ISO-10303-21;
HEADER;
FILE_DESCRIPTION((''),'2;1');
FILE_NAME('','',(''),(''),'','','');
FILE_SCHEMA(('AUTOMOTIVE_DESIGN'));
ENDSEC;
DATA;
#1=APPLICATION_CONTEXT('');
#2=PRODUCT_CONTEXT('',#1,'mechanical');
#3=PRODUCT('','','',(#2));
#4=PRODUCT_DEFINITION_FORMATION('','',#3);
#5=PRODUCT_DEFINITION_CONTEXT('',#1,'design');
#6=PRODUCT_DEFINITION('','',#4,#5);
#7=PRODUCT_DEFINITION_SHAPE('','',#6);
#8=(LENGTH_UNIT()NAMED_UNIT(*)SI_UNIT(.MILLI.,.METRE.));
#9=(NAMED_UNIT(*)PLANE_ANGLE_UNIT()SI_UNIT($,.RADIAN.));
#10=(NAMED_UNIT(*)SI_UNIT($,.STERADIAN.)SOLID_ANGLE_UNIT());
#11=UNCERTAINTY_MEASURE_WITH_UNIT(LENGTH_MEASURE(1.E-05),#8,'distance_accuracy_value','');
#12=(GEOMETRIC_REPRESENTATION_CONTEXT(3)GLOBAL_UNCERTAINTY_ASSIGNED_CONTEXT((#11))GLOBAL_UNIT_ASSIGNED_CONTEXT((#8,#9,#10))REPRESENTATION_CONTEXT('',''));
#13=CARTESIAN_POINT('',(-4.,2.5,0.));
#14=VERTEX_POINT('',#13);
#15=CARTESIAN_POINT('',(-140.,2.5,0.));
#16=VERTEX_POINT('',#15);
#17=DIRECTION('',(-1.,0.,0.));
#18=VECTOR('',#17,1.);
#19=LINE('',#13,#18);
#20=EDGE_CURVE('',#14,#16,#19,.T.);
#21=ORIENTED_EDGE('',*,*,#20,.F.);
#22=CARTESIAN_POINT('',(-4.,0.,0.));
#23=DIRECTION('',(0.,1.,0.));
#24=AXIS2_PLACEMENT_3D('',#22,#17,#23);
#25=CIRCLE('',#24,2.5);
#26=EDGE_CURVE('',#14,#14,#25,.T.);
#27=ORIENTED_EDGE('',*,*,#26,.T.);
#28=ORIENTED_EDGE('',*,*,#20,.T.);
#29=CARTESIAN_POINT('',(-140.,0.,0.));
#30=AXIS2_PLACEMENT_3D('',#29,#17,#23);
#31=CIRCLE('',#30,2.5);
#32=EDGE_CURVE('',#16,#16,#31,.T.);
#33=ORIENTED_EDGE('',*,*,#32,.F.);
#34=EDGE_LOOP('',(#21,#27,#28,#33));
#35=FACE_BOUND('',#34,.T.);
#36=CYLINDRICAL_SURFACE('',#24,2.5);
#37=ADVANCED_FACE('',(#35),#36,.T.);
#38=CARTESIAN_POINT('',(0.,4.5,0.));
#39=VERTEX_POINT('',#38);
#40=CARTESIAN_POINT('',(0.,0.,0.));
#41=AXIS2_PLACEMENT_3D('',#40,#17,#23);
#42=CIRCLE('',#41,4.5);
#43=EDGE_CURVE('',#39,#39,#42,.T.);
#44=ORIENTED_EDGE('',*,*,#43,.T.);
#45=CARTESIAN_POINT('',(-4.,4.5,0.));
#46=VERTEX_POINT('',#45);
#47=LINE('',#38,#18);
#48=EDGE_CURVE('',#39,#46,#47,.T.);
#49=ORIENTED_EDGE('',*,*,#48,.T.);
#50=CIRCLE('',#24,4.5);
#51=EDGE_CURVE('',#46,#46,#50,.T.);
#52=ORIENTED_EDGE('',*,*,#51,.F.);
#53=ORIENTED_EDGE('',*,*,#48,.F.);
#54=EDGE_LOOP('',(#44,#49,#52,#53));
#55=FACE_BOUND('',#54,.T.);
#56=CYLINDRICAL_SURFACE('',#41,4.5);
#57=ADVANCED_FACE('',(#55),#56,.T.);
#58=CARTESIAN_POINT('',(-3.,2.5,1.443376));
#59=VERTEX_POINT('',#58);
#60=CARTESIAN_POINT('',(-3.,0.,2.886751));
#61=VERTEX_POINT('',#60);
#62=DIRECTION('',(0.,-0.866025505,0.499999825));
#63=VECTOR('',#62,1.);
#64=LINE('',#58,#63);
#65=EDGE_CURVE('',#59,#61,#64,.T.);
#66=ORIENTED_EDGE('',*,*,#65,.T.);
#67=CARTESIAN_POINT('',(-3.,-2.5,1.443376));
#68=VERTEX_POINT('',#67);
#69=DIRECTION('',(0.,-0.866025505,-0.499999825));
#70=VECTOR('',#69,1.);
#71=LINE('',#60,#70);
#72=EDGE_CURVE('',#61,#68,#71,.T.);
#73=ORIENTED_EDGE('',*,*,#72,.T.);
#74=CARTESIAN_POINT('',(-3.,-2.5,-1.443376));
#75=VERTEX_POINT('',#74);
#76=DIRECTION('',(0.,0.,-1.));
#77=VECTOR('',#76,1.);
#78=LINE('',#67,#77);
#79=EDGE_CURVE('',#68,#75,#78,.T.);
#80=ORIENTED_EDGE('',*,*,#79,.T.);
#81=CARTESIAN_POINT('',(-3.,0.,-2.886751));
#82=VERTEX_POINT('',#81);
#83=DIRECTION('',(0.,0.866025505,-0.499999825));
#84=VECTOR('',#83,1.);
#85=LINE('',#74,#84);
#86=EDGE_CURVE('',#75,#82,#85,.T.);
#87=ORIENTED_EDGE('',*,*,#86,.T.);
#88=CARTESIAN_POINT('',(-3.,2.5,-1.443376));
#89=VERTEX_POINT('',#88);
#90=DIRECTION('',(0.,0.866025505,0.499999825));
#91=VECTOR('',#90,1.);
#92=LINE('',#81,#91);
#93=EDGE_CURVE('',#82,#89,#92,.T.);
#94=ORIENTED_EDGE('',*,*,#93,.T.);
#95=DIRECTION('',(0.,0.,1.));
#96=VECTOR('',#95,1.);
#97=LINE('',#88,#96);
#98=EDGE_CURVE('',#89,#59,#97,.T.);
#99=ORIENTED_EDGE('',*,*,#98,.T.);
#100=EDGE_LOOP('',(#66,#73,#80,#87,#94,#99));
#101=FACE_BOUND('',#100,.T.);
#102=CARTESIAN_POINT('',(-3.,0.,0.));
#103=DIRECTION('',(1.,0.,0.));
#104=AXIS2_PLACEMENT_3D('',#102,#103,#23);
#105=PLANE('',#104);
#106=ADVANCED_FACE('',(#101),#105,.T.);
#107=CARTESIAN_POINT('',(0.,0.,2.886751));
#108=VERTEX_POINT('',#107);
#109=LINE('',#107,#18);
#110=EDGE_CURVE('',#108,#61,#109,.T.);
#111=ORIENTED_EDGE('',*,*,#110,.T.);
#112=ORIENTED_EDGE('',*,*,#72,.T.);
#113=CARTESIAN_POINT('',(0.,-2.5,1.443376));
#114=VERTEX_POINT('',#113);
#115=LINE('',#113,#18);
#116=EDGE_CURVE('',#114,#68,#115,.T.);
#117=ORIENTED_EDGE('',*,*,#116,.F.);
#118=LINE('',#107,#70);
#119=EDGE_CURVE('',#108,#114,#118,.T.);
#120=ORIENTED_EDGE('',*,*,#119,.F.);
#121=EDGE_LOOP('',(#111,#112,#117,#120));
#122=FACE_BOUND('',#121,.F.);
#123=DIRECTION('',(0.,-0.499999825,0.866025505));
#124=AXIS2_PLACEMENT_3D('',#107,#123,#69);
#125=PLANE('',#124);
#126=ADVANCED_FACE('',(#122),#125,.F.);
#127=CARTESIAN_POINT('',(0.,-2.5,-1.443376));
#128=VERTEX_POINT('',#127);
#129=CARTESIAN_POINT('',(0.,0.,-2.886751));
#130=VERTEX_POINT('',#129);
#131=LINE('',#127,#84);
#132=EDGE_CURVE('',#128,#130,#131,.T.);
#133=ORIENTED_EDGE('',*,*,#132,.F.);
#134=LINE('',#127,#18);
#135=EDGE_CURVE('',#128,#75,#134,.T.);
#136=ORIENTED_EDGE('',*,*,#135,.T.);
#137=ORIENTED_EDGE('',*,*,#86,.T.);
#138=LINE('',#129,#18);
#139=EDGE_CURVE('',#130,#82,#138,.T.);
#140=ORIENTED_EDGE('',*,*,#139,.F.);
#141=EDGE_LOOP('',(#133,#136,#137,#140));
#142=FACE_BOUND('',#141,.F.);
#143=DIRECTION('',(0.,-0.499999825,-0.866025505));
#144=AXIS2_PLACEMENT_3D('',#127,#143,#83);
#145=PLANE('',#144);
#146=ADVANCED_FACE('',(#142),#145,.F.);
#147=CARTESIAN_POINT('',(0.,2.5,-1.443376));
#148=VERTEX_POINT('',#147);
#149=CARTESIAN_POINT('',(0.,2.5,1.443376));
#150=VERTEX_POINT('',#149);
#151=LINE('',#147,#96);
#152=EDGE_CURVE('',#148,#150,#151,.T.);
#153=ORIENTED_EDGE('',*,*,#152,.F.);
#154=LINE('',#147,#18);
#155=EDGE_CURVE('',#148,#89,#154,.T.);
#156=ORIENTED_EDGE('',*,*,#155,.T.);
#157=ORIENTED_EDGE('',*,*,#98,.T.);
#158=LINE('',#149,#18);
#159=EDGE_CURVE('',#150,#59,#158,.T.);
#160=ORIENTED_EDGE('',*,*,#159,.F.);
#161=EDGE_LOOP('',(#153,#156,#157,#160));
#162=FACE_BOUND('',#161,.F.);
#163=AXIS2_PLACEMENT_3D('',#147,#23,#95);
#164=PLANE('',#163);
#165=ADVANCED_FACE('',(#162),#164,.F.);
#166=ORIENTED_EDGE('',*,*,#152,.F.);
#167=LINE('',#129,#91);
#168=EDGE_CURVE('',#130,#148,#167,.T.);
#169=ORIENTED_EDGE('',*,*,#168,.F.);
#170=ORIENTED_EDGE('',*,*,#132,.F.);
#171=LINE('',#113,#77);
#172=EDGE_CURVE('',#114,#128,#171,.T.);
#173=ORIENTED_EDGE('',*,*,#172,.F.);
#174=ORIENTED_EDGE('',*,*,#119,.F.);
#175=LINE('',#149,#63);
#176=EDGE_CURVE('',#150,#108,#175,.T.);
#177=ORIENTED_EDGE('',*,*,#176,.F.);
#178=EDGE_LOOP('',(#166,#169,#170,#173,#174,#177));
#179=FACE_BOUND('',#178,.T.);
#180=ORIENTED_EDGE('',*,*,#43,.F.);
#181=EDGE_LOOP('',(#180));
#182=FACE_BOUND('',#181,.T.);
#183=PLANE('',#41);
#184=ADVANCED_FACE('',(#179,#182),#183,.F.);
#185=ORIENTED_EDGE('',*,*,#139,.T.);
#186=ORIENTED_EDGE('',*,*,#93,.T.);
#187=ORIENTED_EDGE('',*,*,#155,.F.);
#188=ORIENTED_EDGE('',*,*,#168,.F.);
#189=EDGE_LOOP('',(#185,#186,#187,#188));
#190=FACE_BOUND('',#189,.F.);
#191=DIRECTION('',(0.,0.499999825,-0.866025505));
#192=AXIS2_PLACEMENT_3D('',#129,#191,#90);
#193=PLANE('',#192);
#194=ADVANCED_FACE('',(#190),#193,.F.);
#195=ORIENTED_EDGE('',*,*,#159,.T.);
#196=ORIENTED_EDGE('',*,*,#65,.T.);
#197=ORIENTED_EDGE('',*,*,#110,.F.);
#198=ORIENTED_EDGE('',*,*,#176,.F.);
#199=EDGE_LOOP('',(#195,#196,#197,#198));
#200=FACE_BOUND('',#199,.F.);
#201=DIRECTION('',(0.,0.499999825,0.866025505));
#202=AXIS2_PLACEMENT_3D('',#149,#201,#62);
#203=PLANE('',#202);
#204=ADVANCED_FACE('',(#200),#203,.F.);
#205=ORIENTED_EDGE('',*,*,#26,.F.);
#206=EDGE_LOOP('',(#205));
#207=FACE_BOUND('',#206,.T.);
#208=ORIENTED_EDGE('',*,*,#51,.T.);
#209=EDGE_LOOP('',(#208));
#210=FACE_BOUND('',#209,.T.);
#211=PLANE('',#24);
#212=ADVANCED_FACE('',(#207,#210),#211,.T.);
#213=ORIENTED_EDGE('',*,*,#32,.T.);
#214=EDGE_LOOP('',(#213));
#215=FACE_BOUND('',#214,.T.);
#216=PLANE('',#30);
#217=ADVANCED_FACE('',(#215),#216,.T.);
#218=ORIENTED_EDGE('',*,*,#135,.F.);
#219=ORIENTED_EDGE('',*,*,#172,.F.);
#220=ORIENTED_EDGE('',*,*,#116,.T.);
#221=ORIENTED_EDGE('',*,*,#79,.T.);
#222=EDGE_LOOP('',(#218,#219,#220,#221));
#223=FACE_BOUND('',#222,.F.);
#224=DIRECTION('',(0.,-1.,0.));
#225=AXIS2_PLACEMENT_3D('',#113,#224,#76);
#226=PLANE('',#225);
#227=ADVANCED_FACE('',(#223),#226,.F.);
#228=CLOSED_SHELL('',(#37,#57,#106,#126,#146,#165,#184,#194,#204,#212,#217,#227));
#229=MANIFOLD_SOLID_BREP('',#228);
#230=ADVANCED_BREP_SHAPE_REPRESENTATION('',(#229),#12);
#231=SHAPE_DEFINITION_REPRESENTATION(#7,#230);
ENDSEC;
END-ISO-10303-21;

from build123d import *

# Parameters (mm, degrees)
F3_DEPTH = 3


with BuildPart() as f1:
    # F0 (on Top) → F1 (revolve)
    with BuildSketch(Plane.XY):
        Polygon((-4, 2.5), (-140, 2.5), (-140, 0), (0, 0), (0, 4.5), (-4, 4.5), align=None)
    revolve(axis=Axis((-70, 0, 0), (-1, 0, 0)))

    # F2 (on face) → F3 (cut)
    with BuildSketch(Plane.YZ):
        Polygon((2.5, -1.443376), (2.5, 1.443376), (0, 2.886751), (-2.5, 1.443376), (-2.5, -1.443376), (0, -2.886751), align=None)
    extrude(amount=-F3_DEPTH, mode=Mode.SUBTRACT)


solid = f1.part
